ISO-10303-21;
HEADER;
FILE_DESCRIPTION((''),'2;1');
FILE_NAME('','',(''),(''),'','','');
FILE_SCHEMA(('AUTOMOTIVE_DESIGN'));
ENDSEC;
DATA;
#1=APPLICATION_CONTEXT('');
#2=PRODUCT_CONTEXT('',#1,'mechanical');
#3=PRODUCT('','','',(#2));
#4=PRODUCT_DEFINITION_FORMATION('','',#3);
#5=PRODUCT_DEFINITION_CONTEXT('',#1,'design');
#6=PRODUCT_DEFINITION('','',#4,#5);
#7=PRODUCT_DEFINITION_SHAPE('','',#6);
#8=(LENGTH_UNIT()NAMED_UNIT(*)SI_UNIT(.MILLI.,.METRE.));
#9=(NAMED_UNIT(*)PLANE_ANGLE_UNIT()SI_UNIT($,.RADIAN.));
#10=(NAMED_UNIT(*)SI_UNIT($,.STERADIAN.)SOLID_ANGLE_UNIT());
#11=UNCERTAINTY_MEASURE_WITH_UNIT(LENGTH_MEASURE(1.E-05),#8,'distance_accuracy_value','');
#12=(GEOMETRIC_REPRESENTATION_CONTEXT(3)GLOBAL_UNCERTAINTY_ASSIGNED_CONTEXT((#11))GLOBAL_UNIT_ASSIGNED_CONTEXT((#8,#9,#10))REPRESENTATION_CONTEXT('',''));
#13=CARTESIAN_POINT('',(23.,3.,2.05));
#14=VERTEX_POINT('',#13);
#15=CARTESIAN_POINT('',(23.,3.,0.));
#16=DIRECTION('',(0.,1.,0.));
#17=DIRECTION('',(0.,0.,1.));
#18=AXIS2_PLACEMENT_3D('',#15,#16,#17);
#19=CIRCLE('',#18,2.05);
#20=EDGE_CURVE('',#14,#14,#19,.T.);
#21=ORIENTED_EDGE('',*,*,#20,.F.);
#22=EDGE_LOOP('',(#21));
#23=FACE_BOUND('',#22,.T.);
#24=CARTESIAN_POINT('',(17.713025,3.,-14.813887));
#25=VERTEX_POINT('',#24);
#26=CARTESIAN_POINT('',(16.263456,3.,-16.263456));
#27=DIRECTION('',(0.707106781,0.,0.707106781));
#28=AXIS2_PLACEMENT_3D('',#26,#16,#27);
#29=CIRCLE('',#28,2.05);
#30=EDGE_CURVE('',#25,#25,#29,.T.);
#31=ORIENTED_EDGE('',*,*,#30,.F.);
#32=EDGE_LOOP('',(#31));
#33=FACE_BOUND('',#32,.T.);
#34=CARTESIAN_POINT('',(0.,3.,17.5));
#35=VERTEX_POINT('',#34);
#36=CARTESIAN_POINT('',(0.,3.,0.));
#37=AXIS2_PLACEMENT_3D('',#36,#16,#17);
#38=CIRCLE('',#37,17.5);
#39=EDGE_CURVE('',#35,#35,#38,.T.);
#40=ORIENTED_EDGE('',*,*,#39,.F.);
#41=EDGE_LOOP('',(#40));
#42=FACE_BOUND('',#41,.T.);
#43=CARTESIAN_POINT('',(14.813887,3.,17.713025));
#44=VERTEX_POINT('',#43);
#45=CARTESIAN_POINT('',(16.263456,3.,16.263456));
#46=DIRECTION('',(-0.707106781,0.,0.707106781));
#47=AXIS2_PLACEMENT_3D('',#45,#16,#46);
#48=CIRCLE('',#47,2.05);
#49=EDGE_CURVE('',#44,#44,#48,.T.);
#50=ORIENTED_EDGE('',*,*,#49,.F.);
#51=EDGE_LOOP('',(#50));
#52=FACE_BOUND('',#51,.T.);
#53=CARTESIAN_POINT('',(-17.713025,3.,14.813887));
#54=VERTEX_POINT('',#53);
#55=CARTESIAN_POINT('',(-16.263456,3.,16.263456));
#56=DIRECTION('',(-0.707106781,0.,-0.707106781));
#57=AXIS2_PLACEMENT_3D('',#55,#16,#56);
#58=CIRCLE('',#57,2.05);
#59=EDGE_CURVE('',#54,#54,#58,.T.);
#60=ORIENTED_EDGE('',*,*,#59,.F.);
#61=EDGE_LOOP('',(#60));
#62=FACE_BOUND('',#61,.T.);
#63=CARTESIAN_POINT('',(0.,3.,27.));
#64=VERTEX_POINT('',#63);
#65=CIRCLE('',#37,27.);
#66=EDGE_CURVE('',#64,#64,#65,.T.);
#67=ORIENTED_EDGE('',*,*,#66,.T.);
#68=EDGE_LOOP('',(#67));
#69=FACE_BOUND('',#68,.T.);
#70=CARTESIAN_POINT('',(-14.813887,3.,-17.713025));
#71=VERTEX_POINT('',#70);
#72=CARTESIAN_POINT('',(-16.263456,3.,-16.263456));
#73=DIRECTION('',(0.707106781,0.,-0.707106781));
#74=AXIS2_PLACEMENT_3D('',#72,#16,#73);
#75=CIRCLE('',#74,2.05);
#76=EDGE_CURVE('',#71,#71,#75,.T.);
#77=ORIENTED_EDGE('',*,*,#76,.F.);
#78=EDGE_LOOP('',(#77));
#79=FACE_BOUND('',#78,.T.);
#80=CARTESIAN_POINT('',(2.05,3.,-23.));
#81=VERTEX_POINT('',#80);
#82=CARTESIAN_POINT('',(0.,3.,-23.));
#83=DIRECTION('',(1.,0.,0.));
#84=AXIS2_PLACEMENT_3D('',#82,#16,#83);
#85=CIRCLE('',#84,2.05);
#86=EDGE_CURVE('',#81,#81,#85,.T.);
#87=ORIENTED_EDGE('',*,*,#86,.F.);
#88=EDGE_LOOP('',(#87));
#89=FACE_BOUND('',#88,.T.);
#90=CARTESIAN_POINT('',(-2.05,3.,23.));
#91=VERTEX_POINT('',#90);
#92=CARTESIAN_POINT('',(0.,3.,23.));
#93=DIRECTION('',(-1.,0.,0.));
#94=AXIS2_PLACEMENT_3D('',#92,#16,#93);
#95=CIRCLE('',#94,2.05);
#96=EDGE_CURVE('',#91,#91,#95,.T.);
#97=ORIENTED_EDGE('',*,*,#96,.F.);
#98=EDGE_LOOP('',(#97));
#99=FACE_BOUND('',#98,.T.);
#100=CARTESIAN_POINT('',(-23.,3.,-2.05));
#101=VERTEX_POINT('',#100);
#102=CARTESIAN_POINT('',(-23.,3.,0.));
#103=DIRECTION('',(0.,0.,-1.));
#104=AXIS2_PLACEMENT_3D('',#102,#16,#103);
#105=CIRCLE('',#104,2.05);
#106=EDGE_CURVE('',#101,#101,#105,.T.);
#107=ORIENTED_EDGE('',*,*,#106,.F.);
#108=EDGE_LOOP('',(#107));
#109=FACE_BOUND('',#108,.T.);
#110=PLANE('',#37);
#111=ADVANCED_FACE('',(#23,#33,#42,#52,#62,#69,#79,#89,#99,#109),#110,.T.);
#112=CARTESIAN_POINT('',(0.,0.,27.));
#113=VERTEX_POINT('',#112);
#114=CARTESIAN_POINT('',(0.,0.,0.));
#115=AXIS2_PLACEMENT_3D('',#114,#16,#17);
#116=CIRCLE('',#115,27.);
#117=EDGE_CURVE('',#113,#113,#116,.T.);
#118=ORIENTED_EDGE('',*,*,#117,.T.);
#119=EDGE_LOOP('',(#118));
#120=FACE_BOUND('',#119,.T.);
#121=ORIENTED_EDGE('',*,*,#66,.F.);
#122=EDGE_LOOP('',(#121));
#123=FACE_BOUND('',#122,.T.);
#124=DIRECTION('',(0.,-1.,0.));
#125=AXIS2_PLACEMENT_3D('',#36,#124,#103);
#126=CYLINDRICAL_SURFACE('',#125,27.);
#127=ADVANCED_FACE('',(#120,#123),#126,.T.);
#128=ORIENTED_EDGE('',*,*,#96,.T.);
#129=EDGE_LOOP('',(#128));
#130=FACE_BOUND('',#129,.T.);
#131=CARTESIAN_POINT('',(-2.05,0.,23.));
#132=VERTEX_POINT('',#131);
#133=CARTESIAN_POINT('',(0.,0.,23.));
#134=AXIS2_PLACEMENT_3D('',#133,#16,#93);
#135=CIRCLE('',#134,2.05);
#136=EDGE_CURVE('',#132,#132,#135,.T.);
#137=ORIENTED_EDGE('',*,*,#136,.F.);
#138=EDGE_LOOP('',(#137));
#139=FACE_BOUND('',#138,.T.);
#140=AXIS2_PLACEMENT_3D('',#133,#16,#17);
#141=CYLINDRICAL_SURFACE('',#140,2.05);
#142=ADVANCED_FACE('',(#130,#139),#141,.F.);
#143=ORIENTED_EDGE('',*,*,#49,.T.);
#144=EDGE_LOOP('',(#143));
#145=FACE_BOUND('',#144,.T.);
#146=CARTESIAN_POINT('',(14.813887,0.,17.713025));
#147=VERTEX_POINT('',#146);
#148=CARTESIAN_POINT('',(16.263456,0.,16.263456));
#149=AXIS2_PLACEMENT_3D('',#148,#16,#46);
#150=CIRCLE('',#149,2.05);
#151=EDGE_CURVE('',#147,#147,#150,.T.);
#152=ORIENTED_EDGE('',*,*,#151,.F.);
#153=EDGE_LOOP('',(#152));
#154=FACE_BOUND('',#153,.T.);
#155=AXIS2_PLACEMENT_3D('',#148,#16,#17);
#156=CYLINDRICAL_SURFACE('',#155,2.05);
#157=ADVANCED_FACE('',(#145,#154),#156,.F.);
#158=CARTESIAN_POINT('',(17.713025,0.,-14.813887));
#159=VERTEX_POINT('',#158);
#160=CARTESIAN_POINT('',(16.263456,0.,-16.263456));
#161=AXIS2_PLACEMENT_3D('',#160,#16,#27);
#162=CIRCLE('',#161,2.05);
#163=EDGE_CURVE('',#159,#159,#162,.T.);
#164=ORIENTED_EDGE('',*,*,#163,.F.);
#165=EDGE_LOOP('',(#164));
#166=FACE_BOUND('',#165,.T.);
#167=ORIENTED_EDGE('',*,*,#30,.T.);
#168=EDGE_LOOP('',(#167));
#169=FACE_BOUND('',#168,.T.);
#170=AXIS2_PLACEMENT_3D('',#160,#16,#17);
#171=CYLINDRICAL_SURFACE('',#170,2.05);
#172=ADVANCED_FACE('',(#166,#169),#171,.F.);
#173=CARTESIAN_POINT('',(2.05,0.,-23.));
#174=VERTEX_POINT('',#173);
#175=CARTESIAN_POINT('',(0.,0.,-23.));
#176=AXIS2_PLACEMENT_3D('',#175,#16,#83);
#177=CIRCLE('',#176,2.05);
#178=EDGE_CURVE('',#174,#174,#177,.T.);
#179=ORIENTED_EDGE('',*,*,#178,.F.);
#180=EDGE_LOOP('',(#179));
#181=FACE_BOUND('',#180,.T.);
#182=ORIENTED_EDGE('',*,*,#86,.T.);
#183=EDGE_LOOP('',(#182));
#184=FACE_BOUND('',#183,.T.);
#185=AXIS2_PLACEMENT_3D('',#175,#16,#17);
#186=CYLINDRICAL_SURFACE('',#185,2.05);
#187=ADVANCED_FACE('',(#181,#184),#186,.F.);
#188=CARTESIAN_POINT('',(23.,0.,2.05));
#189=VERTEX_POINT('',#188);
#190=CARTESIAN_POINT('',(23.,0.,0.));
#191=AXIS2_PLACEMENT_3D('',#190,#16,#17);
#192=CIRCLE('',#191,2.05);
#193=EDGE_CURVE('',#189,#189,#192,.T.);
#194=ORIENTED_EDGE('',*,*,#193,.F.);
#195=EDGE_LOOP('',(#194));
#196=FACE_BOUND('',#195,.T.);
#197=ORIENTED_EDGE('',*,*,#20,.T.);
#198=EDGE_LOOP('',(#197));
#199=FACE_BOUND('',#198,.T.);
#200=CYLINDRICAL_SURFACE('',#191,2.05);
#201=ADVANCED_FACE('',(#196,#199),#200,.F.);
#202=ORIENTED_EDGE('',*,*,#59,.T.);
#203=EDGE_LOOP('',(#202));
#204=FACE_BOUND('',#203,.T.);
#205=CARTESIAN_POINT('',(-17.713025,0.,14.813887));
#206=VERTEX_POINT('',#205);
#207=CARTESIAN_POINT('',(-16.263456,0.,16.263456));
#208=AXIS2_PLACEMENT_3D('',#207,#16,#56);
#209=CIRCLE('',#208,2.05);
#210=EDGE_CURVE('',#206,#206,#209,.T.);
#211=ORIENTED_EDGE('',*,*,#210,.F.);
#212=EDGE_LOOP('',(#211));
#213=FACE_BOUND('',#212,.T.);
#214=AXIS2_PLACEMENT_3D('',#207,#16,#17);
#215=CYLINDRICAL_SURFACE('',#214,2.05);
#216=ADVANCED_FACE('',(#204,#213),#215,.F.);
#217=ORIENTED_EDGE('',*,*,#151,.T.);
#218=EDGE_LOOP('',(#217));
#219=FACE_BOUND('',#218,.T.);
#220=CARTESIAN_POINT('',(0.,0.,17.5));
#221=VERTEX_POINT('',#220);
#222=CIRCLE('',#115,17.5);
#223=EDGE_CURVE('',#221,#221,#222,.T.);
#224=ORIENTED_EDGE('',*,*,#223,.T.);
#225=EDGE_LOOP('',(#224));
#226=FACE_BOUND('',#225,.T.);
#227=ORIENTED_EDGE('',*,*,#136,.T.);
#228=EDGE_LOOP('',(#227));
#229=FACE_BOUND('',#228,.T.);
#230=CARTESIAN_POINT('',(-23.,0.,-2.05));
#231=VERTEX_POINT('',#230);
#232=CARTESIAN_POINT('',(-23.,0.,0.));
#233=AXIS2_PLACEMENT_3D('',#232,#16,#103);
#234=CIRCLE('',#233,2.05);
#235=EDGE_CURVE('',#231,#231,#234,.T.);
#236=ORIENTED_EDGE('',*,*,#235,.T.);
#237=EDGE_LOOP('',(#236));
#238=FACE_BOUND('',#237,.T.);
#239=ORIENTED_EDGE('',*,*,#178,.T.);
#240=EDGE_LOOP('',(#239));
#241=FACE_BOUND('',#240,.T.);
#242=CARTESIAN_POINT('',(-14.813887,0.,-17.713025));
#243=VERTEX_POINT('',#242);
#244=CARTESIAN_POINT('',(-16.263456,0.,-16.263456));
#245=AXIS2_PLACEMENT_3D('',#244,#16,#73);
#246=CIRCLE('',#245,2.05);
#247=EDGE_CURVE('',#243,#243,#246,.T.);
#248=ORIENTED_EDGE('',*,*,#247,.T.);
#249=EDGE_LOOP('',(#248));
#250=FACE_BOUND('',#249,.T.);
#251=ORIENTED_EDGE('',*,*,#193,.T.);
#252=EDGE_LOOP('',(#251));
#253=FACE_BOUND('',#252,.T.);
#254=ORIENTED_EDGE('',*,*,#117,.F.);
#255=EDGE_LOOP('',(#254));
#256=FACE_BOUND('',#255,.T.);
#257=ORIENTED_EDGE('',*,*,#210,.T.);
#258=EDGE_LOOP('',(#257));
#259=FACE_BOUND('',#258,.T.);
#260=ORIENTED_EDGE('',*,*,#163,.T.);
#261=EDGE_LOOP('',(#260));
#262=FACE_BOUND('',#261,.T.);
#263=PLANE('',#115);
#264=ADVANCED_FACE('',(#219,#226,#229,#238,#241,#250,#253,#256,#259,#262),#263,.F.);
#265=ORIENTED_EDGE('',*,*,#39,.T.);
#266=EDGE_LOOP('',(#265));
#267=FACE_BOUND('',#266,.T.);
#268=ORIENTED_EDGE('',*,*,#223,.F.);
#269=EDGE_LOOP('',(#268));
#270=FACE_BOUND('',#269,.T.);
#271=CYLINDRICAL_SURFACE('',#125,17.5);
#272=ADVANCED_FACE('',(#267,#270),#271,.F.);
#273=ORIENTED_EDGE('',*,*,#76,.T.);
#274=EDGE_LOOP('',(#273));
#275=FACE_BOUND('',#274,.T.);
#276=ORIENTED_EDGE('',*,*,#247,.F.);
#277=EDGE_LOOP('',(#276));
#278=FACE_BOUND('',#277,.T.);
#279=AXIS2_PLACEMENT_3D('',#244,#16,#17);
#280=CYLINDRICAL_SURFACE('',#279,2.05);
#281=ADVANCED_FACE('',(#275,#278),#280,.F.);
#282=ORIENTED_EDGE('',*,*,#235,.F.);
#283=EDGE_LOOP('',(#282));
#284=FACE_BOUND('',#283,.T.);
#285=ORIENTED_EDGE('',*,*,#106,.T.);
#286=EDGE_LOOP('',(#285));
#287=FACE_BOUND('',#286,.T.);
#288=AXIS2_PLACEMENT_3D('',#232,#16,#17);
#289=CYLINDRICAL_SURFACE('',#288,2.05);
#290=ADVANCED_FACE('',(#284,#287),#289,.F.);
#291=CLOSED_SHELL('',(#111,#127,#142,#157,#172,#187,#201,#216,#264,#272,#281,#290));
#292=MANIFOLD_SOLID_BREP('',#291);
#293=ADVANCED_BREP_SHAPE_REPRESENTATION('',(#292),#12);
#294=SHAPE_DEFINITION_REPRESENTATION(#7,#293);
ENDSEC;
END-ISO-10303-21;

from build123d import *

# Parameters (mm, degrees)
SKETCH1_R           = 27
SKETCH1_R_2         = 17.5
BOSS_EXTRUDE1_DEPTH = 3
SKETCH2_R           = 2.05
CUT_EXTRUDE1_DEPTH  = 39.301436004
CIRPATTERN1_COUNT   = 8


with BuildPart() as part:
    # Sketch1 → Boss-Extrude1 (new body)
    with BuildSketch(Plane(origin=(0, 0, 0), x_dir=(1, 0, 0), z_dir=(0, 1, 0))):
        with Locations(Location((0, 0, 0), (0, 0, 270))):
            Circle(SKETCH1_R)
        with Locations(Location((0, 0, 0), (0, 0, 270))):
            Circle(SKETCH1_R_2, mode=Mode.SUBTRACT)
    extrude(amount=BOSS_EXTRUDE1_DEPTH)

    # Sketch2 → Cut-Extrude1 (cut, through all)
    with BuildSketch(Plane(origin=(0, 3, 0), x_dir=(1, 0, 0), z_dir=(0, 1, 0))):
        with Locations(Location((23, 0, 0), (0, 0, 270))):
            Circle(SKETCH2_R)
    cut_extrude1 = extrude(amount=-CUT_EXTRUDE1_DEPTH, mode=Mode.SUBTRACT)

    # CirPattern1: Cut-Extrude1 ×8 about axis
    cirpattern1_axis = Axis((0, 0, 0), (0, 1, 0))
    for i in range(1, CIRPATTERN1_COUNT):
        add(cut_extrude1.rotate(cirpattern1_axis, i * 360 / CIRPATTERN1_COUNT), mode=Mode.SUBTRACT)


solid = part.part
